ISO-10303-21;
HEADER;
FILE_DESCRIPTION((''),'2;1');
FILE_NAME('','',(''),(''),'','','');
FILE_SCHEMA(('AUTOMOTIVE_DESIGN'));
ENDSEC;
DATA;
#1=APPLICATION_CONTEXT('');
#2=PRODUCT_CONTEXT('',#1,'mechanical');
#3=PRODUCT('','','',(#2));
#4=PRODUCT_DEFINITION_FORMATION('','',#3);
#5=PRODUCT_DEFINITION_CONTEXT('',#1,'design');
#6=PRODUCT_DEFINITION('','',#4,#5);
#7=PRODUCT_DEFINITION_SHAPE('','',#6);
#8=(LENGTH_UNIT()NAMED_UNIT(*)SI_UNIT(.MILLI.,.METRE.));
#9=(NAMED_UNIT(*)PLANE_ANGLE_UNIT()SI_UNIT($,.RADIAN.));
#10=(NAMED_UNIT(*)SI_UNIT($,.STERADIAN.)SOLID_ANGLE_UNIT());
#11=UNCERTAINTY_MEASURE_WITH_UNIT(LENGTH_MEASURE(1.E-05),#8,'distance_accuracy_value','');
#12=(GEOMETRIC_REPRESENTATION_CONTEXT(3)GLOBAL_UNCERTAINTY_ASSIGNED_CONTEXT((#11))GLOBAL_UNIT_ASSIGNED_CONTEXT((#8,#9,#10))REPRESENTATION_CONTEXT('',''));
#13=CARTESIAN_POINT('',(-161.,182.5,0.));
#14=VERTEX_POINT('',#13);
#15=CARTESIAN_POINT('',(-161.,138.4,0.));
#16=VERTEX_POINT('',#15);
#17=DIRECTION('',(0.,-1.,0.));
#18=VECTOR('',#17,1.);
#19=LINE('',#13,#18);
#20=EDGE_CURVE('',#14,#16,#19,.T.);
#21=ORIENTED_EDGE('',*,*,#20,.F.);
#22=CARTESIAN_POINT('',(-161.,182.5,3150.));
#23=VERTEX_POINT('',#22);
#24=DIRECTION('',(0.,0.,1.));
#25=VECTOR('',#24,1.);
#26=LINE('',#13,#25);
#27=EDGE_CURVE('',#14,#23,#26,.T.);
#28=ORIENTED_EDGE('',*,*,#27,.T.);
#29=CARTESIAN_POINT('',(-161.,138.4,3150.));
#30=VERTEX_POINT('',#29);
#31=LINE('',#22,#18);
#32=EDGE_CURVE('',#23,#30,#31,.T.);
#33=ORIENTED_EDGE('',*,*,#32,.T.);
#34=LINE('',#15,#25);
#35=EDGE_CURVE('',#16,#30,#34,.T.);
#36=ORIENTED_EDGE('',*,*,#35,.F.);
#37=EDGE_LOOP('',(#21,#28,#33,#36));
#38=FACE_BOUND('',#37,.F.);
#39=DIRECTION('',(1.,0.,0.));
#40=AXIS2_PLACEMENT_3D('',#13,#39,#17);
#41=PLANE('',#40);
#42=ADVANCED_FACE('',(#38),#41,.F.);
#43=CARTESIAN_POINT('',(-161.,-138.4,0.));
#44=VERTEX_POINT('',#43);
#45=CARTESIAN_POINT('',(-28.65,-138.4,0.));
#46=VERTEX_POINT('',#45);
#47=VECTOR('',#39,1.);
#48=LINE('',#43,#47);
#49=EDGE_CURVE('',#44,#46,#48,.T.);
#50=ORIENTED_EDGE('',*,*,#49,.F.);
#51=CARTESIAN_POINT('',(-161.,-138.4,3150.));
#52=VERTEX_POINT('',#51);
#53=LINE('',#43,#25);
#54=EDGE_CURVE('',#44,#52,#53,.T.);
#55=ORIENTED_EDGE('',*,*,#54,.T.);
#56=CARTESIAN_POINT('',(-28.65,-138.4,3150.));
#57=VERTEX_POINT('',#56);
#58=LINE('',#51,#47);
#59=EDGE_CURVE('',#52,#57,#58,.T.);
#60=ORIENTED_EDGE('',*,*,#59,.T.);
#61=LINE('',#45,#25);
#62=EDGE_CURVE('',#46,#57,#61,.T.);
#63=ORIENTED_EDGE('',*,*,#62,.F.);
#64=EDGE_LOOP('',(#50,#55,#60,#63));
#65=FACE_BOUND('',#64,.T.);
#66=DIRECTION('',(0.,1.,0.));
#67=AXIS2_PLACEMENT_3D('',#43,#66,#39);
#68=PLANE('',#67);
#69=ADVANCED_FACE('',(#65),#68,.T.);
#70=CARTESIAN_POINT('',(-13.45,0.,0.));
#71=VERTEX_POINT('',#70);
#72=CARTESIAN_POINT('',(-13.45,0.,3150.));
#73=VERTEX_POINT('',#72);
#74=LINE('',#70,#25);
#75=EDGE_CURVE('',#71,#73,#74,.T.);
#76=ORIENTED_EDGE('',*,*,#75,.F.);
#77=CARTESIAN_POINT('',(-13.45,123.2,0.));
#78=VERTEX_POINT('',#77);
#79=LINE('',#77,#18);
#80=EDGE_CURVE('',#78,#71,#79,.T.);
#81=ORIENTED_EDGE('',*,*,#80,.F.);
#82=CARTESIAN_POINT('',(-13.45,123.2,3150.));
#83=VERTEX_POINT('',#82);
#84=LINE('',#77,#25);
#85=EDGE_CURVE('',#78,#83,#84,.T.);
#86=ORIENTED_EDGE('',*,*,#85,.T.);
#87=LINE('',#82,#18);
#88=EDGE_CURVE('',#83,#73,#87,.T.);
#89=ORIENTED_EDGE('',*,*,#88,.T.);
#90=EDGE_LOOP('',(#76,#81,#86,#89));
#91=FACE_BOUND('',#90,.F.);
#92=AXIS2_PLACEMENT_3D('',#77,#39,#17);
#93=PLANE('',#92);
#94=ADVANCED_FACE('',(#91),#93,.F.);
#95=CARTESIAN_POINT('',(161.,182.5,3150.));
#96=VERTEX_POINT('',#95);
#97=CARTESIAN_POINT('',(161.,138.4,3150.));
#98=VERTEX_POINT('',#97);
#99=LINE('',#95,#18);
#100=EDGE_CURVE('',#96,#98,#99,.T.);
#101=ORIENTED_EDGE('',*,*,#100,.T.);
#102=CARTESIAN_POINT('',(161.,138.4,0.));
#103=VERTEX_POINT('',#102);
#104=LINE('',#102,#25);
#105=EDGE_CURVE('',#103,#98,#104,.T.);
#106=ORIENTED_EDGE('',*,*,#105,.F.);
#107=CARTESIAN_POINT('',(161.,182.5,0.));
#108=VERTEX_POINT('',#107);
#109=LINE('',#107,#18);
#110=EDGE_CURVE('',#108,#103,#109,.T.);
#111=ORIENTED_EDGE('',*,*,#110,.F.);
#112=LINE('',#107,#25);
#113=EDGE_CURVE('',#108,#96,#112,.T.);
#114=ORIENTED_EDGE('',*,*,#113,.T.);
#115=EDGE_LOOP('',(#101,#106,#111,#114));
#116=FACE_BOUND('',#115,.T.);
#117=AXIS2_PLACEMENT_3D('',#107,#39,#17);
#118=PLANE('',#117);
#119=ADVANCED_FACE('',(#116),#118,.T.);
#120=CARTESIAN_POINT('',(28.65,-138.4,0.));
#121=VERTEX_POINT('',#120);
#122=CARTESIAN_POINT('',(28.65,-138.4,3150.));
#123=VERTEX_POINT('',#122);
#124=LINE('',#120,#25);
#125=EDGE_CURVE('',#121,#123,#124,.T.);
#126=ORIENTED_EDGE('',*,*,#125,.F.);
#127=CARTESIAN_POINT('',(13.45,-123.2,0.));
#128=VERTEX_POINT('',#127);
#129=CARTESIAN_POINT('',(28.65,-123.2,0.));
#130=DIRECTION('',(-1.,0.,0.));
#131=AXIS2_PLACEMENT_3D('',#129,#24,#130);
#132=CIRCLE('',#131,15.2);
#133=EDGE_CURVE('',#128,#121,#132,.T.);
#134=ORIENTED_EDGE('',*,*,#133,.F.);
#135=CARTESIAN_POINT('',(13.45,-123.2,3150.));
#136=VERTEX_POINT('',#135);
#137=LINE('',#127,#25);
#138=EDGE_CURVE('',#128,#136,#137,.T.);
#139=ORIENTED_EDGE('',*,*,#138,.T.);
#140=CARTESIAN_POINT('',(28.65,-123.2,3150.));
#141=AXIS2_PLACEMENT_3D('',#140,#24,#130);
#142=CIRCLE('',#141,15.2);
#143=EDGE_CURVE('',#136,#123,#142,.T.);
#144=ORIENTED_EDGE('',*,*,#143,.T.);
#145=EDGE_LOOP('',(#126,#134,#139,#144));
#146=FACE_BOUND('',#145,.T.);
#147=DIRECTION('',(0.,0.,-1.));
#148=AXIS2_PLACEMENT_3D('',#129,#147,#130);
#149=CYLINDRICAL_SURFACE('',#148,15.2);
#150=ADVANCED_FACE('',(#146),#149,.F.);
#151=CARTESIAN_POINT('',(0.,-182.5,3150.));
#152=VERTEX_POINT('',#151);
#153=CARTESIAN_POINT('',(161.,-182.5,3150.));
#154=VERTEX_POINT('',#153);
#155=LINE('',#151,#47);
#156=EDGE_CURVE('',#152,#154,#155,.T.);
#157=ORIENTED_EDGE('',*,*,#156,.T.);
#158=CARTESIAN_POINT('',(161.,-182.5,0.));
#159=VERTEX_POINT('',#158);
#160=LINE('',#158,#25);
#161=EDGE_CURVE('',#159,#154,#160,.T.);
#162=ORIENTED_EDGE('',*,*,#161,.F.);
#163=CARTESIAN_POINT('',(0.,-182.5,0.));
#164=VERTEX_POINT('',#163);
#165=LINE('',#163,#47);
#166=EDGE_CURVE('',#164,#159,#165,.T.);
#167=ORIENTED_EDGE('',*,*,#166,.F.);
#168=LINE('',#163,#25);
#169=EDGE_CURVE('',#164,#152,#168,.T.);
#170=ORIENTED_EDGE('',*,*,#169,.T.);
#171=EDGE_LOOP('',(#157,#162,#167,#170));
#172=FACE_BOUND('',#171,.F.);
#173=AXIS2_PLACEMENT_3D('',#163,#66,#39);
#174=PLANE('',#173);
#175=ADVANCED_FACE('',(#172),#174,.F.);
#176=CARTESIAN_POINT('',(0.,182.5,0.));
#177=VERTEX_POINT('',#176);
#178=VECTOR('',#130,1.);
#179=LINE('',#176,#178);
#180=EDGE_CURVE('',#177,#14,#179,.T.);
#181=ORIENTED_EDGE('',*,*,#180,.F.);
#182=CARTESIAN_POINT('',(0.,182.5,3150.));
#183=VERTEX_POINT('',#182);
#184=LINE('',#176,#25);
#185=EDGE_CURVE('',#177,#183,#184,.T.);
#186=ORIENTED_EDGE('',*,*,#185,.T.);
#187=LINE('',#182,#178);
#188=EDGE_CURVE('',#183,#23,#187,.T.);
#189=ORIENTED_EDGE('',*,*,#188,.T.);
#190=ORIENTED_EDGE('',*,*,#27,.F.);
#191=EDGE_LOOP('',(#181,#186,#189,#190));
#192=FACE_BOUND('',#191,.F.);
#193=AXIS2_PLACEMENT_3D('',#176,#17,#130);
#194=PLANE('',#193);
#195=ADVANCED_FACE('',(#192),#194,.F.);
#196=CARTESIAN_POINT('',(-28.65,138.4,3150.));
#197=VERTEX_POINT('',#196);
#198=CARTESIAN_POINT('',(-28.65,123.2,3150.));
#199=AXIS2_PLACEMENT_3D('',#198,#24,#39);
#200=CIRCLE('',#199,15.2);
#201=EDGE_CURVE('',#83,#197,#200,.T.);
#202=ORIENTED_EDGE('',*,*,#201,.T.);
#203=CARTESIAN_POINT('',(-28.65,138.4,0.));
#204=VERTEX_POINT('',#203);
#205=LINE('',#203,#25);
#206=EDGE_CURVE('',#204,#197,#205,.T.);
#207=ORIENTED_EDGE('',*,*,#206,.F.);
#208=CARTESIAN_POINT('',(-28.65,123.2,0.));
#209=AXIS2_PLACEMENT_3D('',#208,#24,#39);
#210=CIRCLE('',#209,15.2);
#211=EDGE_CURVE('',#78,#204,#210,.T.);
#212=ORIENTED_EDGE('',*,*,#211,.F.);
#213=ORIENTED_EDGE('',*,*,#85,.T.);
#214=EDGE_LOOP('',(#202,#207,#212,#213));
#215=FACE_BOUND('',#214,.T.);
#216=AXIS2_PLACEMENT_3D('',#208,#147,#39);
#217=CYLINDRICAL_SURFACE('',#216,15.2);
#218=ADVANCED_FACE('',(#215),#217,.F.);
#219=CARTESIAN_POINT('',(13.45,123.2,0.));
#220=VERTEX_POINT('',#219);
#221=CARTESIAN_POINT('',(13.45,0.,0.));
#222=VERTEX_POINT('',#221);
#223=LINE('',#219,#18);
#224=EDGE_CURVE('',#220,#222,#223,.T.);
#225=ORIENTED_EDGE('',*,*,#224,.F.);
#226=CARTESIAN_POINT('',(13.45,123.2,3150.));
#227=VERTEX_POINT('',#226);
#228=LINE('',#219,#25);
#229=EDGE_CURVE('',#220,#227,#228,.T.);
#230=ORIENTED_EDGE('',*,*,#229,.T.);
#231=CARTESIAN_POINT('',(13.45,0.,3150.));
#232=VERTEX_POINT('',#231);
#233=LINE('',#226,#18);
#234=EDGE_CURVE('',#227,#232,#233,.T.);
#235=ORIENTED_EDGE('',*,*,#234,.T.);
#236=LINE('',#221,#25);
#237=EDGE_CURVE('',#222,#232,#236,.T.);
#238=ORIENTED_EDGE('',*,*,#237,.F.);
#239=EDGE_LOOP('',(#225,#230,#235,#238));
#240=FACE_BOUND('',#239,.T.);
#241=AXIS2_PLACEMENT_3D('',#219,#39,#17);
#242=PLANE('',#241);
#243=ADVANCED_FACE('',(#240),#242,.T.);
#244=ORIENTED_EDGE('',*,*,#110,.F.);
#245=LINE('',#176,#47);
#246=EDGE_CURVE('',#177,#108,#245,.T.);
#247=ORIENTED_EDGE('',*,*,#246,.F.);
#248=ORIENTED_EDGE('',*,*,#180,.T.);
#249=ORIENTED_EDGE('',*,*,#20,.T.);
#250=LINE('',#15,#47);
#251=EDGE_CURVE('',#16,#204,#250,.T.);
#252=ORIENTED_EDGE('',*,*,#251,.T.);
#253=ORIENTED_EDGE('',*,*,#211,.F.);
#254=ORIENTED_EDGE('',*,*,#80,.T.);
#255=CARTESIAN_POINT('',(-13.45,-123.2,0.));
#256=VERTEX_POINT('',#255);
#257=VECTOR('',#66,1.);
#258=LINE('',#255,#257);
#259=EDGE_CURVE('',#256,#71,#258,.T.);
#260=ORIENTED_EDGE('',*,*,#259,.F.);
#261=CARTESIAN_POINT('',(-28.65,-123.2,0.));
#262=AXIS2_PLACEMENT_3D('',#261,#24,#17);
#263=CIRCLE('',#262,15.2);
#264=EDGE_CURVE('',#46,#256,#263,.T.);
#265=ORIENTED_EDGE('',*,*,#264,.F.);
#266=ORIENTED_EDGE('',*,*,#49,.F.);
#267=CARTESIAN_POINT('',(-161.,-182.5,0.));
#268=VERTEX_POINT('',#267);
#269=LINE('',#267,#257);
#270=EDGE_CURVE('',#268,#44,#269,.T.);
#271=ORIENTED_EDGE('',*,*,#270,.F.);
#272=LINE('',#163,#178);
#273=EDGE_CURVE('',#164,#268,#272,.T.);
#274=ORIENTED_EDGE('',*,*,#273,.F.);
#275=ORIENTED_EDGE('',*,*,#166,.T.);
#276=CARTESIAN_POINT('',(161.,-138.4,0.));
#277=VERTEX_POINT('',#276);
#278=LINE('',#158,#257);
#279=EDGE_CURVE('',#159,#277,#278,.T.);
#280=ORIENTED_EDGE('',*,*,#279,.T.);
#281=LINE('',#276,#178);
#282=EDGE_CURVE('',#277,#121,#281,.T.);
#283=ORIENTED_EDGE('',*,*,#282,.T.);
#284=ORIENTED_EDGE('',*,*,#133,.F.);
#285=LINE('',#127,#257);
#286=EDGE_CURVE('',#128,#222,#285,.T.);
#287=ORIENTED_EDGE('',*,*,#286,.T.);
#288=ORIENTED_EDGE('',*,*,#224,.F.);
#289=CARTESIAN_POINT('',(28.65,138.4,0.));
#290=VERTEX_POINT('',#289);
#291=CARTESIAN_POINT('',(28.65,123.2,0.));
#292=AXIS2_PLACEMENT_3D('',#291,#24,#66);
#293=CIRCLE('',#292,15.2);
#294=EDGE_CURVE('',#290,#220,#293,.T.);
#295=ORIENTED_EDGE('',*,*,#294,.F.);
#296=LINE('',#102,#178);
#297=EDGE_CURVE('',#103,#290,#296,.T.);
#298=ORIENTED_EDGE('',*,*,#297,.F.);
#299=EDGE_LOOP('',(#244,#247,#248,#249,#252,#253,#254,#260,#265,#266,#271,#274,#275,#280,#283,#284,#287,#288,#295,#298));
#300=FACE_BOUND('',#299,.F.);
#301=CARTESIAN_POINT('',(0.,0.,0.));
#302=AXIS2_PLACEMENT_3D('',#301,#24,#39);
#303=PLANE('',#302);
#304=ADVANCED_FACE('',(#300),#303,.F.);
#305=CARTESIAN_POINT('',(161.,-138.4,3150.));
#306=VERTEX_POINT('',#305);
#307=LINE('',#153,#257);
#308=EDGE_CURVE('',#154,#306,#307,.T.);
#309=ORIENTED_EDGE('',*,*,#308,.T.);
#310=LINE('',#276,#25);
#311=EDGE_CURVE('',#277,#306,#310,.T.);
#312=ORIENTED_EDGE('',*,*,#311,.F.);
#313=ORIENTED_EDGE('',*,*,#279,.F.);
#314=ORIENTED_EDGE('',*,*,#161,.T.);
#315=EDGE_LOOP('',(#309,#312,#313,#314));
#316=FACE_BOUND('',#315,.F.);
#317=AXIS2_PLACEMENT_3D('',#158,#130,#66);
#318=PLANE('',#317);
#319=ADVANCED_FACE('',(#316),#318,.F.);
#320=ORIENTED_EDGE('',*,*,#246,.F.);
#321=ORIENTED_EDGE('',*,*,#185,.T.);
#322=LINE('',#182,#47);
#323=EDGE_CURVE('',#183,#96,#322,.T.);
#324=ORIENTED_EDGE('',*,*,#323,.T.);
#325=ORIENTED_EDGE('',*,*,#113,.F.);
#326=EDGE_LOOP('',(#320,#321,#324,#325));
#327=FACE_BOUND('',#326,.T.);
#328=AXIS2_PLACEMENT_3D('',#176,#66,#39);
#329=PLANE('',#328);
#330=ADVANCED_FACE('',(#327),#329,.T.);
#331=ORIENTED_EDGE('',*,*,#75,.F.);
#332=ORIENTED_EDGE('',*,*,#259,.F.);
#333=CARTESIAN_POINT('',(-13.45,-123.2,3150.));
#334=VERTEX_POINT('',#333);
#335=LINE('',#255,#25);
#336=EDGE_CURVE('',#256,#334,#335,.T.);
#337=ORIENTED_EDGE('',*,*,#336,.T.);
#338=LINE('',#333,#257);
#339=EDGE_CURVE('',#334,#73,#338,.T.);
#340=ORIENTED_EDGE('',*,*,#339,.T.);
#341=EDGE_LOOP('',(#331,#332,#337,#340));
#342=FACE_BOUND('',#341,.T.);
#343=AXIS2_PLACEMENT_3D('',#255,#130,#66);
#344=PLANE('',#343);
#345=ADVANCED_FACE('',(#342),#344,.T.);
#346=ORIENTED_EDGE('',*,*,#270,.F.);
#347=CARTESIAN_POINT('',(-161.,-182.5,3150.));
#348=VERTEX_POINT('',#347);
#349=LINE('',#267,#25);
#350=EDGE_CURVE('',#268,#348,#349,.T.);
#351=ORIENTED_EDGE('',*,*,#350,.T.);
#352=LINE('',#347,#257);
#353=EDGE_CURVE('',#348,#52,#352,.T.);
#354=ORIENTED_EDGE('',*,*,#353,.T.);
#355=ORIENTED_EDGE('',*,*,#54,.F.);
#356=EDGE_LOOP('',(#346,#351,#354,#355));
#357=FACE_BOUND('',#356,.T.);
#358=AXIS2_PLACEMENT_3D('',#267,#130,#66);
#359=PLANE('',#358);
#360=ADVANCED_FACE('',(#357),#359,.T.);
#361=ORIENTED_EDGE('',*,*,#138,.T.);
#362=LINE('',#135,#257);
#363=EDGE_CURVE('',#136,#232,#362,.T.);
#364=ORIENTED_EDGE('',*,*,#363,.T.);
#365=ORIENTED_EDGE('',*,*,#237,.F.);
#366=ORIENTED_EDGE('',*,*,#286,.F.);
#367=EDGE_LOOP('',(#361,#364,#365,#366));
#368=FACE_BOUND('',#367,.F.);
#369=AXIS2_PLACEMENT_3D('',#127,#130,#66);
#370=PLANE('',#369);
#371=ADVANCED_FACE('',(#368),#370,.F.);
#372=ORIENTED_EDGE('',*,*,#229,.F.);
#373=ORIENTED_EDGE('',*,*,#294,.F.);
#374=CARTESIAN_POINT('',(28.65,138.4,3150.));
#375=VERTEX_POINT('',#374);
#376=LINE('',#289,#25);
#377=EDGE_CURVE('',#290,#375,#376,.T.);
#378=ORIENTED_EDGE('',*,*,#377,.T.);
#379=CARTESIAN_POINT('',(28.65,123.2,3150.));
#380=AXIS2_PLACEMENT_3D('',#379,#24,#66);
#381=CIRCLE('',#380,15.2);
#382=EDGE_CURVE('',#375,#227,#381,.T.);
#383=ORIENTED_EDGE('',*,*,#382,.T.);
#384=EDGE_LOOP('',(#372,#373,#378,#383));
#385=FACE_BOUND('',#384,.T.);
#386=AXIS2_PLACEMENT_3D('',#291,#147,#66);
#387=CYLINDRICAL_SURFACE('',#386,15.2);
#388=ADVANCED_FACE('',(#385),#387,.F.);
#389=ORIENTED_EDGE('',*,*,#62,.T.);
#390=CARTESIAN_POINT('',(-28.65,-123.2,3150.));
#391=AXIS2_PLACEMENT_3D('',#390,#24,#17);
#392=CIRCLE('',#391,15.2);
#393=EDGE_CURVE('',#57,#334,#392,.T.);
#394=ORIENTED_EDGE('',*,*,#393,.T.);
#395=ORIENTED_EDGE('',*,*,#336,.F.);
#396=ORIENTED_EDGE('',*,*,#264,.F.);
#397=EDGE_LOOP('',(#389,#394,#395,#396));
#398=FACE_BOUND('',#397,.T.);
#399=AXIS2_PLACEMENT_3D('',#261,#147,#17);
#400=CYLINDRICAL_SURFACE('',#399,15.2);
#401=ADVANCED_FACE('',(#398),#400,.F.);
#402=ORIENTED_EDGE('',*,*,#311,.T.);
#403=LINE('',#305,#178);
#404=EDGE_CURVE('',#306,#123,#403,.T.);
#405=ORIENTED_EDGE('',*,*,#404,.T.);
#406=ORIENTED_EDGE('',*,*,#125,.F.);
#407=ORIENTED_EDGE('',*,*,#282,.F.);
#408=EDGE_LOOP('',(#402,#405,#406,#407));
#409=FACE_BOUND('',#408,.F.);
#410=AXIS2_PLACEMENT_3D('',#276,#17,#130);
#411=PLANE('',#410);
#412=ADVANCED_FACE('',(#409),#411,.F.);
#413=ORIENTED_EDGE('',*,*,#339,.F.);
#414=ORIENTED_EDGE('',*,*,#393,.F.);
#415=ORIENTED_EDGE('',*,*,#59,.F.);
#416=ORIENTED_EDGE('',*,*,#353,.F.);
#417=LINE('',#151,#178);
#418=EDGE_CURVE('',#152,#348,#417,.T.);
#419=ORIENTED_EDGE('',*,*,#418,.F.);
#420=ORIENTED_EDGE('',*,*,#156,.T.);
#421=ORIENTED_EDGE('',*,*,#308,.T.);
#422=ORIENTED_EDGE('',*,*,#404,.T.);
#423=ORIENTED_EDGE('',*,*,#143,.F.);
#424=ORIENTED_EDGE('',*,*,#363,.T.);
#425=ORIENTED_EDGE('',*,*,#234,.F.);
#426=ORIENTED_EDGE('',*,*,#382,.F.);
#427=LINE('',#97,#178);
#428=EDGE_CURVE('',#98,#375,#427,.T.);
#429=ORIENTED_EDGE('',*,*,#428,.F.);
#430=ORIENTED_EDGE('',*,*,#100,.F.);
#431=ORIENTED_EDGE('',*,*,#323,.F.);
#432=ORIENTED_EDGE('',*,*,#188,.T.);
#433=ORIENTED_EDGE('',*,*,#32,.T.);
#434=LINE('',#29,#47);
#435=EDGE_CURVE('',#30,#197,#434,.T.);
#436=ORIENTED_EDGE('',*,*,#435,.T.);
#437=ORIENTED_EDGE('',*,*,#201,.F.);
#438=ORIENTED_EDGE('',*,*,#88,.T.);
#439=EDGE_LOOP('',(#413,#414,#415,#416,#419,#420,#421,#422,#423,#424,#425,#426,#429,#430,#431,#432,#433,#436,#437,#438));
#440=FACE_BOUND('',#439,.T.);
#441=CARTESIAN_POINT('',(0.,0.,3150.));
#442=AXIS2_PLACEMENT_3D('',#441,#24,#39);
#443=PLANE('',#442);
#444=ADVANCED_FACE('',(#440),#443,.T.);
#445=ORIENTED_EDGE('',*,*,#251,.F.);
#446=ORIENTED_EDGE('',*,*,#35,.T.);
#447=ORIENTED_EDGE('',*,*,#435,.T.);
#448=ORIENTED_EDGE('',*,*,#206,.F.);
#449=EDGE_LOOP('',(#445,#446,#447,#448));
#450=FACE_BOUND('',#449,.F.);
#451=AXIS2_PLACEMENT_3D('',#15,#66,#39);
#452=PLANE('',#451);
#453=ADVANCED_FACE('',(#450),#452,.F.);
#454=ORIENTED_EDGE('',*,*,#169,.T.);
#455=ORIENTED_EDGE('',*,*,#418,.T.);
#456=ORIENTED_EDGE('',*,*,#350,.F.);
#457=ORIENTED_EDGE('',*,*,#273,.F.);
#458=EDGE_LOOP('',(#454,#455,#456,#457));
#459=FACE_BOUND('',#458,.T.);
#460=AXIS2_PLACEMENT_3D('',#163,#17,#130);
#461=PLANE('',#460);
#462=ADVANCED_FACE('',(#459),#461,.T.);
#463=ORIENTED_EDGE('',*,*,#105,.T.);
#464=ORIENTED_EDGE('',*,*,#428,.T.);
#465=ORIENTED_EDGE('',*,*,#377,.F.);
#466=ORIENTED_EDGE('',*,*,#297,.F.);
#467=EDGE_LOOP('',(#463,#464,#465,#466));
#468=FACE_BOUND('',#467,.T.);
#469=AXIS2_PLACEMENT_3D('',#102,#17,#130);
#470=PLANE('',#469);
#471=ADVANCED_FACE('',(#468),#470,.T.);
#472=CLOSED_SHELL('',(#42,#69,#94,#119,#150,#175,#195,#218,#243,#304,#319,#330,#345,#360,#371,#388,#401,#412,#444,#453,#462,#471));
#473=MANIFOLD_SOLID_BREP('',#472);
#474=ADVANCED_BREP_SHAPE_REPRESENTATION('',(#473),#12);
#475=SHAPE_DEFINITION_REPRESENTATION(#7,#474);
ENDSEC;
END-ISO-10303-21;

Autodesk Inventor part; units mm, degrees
ref_plane "YZ Plane" through (0, 0, 0) normal (1, 0, 0) x (0, 1, 0)
ref_plane "Start plane" through (0, 0, 0) normal (0, 0, 1) x (1, 0, 0)
ref_plane "End plane" through (0, 0, 3150) normal (0, 0, 1) x (1, 0, 0)
sketch "Sketch" plane through (0, 0, 0) normal (0, 0, 1) x (1, 0, 0)
  line L0 (-161, -182.5) -> (-161, -138.4)
  line L1 (-161, -138.4) -> (-28.65, -138.4)
  line L2 (-13.45, -123.2) -> (-13.45, 0)
  line L3 (-13.45, 0) -> (0, 0) construction
  line L4 (0, 0) -> (0, -182.5) construction
  line L5 (0, -182.5) -> (-161, -182.5)
  line L6 (-60, 0) -> (80, 0) construction
  line L7 (0, -60) -> (0, 80) construction
  line L8 (161, -182.5) -> (161, -138.4)
  line L9 (161, -138.4) -> (28.65, -138.4)
  line L10 (13.45, -123.2) -> (13.45, 0)
  line L11 (13.45, 0) -> (0, 0) construction
  line L12 (0, -182.5) -> (161, -182.5)
  line L13 (-161, 182.5) -> (-161, 138.4)
  line L14 (-161, 138.4) -> (-28.65, 138.4)
  line L15 (-13.45, 123.2) -> (-13.45, 0)
  line L16 (0, 182.5) -> (-161, 182.5)
  line L17 (161, 182.5) -> (161, 138.4)
  line L18 (161, 138.4) -> (28.65, 138.4)
  line L19 (0, 182.5) -> (161, 182.5)
  line L20 (13.45, 123.2) -> (13.45, 0)
  arc A0 (-13.45, 123.2) -> (-28.65, 138.4) centre (-28.65, 123.2) ccw
  arc A1 (28.65, 138.4) -> (13.45, 123.2) centre (28.65, 123.2) ccw
  arc A2 (13.45, -123.2) -> (28.65, -138.4) centre (28.65, -123.2) ccw
  arc A3 (-28.65, -138.4) -> (-13.45, -123.2) centre (-28.65, -123.2) ccw
  line L21 (0, 108) -> (0, -88) construction
  line L22 (-88, 0) -> (108, 0) construction
  point P0 (-13.45, -138.4)
  point P1 (13.45, -138.4)
  point P2 (-13.45, 138.4)
  point P3 (13.45, 138.4)
  dimension "d1" = 182.5
  dimension "d2" = 44.1
  dimension "d3" = 161
  dimension "d4" = 13.45
  dimension "d10" = 15.2
extrude "Body" add sketch "Sketch" along normal up to surface (3150 mm away) from surface at 0
sketch "Sketch4" plane through (0, 0, 0) normal (0, 0, 1) x (1, 0, 0)
  line L0 (0, 0) -> (10, 0)
ref_plane "Work Plane3" through (0, 0, 0) normal (0, -1, 0) x (1, 0, 0)
sketch "Sketch5" plane through (0, 0, 0) normal (0, -1, 0) x (1, 0, 0)
  line L0 (-2, 0) -> (12, 0) projected
  line L1 (-2, 3150) -> (12, 3150) projected
  dimension "d14" = 3150
equation "\"d1\" = 0.5 * G_H"
equation "\"d2\" = G_T1"
equation "\"d3\" = 0.5 * G_W"
equation "\"d4\" = 0.5 * G_T"
equation "\"d10\" = G_IR"
equation "\"d5\" = G_L"
equation "\"G_W\" = 322"
equation "\"G_H\" = 365"
equation "\"G_T\" = 26.9"
equation "\"G_T1\" = 44.1"
equation "\"G_IR\" = 15.2"
equation "\"G_L\" = d14"
equation "\"G_OFFSET_START\" = 0"
equation "\"G_OFFSET_END\" = 0"
properties part number "AS 3679 - 310 UC - 283 - 3150" material "Steel, Mild"
